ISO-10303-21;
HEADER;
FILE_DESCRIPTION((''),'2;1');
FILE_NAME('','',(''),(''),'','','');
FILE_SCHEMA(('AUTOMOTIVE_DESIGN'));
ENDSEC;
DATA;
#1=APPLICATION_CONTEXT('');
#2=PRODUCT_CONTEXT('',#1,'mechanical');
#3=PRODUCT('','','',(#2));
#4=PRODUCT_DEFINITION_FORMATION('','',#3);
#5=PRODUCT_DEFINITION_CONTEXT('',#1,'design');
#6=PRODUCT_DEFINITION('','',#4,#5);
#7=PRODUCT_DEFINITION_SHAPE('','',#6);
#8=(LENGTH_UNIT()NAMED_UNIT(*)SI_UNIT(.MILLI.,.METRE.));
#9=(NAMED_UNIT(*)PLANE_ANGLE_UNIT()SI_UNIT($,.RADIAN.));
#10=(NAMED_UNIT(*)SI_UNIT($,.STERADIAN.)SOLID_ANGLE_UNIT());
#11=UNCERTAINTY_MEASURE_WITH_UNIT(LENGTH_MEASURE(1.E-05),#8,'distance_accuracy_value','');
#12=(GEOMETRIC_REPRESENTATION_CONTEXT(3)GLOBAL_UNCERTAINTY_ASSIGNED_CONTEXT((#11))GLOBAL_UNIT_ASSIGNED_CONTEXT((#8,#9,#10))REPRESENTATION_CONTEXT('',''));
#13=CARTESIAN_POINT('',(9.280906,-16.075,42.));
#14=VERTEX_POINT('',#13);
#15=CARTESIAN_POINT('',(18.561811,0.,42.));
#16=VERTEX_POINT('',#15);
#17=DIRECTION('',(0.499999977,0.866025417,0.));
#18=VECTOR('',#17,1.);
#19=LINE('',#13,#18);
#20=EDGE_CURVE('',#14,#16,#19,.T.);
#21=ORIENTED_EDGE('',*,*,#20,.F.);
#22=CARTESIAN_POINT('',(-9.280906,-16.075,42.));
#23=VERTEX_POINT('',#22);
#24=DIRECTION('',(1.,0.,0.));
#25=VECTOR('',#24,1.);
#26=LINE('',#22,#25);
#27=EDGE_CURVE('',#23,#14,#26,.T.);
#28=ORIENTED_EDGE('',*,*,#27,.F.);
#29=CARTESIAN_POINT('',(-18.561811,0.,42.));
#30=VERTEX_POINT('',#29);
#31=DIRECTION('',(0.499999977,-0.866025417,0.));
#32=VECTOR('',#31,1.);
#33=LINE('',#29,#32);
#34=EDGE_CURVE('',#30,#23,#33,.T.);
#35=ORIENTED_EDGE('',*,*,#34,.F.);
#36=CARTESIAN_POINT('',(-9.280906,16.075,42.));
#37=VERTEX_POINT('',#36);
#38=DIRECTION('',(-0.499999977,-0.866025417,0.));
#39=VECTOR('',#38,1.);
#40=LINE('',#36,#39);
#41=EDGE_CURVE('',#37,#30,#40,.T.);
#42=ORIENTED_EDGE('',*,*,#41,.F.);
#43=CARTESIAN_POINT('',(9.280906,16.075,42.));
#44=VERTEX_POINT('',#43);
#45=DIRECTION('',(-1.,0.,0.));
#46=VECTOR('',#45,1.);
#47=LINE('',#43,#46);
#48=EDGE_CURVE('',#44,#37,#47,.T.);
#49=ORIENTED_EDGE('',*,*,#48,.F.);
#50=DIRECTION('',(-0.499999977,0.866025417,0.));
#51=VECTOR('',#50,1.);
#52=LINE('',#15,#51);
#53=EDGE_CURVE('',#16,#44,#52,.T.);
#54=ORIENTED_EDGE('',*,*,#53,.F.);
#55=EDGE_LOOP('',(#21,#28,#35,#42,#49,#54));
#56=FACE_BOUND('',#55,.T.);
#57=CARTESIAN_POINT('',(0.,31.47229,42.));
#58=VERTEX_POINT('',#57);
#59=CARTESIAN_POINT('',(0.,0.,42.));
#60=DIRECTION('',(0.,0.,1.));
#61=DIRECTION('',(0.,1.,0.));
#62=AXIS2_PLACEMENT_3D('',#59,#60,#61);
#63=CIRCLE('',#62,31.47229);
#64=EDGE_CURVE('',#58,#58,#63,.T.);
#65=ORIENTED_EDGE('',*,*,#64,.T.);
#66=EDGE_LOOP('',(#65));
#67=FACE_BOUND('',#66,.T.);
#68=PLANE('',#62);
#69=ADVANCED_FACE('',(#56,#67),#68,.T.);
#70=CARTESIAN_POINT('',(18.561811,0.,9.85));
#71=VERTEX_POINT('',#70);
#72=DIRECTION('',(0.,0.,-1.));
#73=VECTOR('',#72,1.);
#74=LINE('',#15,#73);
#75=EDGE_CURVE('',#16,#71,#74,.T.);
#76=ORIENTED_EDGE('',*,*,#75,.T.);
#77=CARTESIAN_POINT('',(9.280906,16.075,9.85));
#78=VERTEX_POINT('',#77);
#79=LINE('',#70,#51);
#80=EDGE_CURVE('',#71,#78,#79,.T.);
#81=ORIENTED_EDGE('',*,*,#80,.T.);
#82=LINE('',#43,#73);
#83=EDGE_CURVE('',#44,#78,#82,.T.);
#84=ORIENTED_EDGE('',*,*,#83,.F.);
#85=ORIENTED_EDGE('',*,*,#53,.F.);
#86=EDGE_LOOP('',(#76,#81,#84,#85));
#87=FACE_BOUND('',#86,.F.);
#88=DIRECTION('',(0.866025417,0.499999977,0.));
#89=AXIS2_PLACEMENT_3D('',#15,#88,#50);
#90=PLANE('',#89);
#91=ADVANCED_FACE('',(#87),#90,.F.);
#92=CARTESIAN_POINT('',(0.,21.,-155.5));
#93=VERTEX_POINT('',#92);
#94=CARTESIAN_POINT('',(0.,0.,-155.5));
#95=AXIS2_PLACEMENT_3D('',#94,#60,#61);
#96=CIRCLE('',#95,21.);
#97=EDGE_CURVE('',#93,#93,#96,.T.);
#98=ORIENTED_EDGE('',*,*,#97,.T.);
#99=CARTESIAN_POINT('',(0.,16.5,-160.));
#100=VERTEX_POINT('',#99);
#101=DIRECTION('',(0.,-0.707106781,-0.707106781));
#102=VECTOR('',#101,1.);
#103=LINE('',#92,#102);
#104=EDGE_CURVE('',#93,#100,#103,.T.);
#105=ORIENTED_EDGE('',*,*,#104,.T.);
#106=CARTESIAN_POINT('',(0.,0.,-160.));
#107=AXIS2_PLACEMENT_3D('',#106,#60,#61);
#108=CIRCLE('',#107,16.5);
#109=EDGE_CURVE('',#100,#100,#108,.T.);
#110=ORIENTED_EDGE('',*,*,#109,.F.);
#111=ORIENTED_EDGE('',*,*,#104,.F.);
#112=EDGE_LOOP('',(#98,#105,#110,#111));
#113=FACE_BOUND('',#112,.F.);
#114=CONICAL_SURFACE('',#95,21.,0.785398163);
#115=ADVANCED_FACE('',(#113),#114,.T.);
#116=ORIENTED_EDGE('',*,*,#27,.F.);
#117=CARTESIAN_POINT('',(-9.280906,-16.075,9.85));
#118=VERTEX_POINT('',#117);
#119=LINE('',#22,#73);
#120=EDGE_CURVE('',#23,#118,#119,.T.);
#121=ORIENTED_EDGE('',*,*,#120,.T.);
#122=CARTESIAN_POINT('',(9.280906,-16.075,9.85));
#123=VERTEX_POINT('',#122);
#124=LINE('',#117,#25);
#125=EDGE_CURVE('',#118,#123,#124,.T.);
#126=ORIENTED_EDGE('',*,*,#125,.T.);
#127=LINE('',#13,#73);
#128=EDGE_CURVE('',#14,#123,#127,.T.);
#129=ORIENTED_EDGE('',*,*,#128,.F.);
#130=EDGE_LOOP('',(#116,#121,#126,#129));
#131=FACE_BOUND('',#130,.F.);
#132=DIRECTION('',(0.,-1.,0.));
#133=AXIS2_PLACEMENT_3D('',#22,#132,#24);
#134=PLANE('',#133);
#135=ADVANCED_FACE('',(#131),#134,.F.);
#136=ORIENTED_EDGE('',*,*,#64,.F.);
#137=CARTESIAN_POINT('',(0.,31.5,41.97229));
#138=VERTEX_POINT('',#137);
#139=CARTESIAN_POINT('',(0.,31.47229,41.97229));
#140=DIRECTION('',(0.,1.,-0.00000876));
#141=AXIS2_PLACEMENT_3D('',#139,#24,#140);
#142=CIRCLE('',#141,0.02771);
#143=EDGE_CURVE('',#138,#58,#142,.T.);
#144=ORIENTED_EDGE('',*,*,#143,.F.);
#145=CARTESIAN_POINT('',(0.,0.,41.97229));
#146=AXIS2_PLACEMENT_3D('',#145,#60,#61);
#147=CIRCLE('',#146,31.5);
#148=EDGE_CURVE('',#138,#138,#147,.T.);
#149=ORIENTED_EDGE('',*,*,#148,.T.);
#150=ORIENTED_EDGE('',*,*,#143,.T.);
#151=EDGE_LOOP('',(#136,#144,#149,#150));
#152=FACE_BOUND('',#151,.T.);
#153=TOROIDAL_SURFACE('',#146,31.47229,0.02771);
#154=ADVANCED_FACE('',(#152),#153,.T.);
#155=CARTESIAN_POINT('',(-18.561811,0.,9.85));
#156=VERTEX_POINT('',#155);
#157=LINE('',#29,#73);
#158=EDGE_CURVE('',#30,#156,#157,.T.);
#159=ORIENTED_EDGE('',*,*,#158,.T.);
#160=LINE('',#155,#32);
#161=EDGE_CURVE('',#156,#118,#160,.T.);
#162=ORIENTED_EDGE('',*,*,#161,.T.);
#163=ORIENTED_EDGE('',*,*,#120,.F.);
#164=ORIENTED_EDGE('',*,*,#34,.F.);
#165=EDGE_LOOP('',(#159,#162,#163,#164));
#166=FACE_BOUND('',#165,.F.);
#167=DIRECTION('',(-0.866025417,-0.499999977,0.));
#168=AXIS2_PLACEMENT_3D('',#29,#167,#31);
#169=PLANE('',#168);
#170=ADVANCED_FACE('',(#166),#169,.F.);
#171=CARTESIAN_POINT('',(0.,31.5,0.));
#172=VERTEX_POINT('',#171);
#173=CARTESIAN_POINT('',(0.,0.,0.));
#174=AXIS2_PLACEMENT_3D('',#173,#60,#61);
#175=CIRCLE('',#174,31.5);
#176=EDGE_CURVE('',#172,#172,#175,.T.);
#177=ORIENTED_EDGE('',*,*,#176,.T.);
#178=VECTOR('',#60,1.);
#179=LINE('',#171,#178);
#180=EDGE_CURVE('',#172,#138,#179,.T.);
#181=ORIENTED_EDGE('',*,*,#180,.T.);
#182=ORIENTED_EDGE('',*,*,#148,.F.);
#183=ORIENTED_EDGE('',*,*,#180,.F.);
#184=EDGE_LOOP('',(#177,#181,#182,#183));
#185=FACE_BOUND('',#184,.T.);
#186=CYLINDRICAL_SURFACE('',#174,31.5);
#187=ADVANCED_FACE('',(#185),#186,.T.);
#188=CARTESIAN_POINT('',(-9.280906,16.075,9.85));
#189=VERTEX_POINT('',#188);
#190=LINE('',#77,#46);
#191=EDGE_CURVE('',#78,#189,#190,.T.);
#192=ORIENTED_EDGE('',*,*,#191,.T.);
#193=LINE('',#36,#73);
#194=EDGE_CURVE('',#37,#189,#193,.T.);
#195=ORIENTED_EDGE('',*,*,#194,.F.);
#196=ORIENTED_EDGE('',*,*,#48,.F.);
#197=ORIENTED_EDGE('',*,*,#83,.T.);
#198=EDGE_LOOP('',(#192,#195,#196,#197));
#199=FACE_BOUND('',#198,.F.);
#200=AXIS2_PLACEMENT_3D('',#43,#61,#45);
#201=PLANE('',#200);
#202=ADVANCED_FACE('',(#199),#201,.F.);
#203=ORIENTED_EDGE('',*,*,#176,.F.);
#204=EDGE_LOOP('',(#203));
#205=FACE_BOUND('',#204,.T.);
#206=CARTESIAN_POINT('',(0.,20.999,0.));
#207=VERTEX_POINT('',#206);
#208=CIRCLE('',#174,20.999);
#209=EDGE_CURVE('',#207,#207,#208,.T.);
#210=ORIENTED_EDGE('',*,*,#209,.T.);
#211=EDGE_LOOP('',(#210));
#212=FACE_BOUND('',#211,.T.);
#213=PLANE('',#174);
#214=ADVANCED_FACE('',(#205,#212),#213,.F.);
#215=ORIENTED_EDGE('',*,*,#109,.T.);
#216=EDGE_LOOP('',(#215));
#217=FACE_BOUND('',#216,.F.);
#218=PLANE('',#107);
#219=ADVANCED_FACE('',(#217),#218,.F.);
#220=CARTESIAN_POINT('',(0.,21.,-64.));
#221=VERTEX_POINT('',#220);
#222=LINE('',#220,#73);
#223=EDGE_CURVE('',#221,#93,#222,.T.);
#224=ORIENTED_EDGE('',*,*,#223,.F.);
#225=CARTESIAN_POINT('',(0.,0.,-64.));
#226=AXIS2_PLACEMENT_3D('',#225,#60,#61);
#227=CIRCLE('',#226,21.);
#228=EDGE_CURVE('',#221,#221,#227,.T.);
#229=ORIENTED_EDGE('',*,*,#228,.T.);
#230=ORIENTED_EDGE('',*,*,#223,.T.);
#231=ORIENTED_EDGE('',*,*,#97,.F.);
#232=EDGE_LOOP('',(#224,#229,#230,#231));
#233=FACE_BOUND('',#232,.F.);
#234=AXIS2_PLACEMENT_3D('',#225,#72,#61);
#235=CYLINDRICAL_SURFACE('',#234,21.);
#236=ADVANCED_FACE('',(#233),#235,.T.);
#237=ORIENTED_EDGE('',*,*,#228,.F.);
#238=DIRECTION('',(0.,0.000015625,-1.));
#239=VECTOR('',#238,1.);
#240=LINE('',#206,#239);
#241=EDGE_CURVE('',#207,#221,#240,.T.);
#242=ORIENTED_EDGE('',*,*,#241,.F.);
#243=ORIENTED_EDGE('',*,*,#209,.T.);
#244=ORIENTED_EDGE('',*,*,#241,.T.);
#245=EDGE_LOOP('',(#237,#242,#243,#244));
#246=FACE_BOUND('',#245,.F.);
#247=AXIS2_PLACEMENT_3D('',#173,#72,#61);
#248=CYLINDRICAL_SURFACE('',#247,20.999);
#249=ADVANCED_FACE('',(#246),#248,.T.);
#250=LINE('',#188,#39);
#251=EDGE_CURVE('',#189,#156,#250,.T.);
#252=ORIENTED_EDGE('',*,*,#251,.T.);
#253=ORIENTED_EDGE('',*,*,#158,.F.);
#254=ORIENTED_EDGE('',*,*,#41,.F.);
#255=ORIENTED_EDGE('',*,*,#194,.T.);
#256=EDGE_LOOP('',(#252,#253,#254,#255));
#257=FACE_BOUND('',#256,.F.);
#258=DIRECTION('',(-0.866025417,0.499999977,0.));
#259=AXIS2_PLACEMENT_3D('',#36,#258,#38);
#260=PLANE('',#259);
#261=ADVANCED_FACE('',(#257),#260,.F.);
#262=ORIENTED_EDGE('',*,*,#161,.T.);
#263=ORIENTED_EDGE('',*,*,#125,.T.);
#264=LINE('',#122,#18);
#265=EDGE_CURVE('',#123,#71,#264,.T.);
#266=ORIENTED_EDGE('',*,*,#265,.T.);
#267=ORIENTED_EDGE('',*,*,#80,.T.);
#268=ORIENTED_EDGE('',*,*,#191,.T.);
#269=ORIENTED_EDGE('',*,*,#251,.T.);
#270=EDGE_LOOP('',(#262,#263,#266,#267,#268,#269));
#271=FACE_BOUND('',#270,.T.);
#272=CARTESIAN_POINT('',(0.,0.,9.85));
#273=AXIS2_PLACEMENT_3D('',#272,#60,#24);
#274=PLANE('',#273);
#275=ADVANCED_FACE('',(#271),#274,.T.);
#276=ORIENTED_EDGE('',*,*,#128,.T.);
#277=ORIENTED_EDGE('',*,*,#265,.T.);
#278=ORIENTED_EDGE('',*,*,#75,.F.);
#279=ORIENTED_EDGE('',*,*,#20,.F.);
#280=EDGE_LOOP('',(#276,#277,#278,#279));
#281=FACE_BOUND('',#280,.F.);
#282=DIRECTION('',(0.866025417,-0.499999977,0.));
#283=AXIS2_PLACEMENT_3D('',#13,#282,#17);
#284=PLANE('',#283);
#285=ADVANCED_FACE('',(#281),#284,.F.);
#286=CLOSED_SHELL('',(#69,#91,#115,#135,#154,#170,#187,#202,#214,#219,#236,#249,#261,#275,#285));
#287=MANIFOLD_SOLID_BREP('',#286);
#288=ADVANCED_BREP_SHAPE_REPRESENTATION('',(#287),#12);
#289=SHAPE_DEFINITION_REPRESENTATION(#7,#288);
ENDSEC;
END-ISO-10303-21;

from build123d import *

# Parameters (mm, degrees)
POCKET_DEPTH = 32.15


with BuildPart() as part:
    # Sketch → Revolve (revolve)
    with BuildSketch(Plane.YZ):
        with BuildLine():
            Line((20.999, 0), (31.5, 0))
            Line((31.5, 0), (31.5, 41.97229))
            ThreePointArc((31.5, 41.97229), (31.491884, 41.991884), (31.47229, 42))
            Line((31.47229, 42), (0, 42))
            Line((0, -160), (0, 42))
            Line((16.5, -160), (0, -160))
            Line((21, -155.5), (16.5, -160))
            Line((21, -64), (21, -155.5))
            Line((20.999, 0), (21, -64))
        make_face()
    revolve(axis=Axis((0, 0, 0), (0, 0, 1)))

    # Sketch001 → Pocket (cut)
    with BuildSketch(Plane.XY.offset(42)):
        Polygon((18.561811, 0), (9.280906, 16.075), (-9.280906, 16.075), (-18.561811, 0), (-9.280906, -16.075), (9.280906, -16.075), align=None)
    extrude(amount=-POCKET_DEPTH, mode=Mode.SUBTRACT)


solid = part.part
